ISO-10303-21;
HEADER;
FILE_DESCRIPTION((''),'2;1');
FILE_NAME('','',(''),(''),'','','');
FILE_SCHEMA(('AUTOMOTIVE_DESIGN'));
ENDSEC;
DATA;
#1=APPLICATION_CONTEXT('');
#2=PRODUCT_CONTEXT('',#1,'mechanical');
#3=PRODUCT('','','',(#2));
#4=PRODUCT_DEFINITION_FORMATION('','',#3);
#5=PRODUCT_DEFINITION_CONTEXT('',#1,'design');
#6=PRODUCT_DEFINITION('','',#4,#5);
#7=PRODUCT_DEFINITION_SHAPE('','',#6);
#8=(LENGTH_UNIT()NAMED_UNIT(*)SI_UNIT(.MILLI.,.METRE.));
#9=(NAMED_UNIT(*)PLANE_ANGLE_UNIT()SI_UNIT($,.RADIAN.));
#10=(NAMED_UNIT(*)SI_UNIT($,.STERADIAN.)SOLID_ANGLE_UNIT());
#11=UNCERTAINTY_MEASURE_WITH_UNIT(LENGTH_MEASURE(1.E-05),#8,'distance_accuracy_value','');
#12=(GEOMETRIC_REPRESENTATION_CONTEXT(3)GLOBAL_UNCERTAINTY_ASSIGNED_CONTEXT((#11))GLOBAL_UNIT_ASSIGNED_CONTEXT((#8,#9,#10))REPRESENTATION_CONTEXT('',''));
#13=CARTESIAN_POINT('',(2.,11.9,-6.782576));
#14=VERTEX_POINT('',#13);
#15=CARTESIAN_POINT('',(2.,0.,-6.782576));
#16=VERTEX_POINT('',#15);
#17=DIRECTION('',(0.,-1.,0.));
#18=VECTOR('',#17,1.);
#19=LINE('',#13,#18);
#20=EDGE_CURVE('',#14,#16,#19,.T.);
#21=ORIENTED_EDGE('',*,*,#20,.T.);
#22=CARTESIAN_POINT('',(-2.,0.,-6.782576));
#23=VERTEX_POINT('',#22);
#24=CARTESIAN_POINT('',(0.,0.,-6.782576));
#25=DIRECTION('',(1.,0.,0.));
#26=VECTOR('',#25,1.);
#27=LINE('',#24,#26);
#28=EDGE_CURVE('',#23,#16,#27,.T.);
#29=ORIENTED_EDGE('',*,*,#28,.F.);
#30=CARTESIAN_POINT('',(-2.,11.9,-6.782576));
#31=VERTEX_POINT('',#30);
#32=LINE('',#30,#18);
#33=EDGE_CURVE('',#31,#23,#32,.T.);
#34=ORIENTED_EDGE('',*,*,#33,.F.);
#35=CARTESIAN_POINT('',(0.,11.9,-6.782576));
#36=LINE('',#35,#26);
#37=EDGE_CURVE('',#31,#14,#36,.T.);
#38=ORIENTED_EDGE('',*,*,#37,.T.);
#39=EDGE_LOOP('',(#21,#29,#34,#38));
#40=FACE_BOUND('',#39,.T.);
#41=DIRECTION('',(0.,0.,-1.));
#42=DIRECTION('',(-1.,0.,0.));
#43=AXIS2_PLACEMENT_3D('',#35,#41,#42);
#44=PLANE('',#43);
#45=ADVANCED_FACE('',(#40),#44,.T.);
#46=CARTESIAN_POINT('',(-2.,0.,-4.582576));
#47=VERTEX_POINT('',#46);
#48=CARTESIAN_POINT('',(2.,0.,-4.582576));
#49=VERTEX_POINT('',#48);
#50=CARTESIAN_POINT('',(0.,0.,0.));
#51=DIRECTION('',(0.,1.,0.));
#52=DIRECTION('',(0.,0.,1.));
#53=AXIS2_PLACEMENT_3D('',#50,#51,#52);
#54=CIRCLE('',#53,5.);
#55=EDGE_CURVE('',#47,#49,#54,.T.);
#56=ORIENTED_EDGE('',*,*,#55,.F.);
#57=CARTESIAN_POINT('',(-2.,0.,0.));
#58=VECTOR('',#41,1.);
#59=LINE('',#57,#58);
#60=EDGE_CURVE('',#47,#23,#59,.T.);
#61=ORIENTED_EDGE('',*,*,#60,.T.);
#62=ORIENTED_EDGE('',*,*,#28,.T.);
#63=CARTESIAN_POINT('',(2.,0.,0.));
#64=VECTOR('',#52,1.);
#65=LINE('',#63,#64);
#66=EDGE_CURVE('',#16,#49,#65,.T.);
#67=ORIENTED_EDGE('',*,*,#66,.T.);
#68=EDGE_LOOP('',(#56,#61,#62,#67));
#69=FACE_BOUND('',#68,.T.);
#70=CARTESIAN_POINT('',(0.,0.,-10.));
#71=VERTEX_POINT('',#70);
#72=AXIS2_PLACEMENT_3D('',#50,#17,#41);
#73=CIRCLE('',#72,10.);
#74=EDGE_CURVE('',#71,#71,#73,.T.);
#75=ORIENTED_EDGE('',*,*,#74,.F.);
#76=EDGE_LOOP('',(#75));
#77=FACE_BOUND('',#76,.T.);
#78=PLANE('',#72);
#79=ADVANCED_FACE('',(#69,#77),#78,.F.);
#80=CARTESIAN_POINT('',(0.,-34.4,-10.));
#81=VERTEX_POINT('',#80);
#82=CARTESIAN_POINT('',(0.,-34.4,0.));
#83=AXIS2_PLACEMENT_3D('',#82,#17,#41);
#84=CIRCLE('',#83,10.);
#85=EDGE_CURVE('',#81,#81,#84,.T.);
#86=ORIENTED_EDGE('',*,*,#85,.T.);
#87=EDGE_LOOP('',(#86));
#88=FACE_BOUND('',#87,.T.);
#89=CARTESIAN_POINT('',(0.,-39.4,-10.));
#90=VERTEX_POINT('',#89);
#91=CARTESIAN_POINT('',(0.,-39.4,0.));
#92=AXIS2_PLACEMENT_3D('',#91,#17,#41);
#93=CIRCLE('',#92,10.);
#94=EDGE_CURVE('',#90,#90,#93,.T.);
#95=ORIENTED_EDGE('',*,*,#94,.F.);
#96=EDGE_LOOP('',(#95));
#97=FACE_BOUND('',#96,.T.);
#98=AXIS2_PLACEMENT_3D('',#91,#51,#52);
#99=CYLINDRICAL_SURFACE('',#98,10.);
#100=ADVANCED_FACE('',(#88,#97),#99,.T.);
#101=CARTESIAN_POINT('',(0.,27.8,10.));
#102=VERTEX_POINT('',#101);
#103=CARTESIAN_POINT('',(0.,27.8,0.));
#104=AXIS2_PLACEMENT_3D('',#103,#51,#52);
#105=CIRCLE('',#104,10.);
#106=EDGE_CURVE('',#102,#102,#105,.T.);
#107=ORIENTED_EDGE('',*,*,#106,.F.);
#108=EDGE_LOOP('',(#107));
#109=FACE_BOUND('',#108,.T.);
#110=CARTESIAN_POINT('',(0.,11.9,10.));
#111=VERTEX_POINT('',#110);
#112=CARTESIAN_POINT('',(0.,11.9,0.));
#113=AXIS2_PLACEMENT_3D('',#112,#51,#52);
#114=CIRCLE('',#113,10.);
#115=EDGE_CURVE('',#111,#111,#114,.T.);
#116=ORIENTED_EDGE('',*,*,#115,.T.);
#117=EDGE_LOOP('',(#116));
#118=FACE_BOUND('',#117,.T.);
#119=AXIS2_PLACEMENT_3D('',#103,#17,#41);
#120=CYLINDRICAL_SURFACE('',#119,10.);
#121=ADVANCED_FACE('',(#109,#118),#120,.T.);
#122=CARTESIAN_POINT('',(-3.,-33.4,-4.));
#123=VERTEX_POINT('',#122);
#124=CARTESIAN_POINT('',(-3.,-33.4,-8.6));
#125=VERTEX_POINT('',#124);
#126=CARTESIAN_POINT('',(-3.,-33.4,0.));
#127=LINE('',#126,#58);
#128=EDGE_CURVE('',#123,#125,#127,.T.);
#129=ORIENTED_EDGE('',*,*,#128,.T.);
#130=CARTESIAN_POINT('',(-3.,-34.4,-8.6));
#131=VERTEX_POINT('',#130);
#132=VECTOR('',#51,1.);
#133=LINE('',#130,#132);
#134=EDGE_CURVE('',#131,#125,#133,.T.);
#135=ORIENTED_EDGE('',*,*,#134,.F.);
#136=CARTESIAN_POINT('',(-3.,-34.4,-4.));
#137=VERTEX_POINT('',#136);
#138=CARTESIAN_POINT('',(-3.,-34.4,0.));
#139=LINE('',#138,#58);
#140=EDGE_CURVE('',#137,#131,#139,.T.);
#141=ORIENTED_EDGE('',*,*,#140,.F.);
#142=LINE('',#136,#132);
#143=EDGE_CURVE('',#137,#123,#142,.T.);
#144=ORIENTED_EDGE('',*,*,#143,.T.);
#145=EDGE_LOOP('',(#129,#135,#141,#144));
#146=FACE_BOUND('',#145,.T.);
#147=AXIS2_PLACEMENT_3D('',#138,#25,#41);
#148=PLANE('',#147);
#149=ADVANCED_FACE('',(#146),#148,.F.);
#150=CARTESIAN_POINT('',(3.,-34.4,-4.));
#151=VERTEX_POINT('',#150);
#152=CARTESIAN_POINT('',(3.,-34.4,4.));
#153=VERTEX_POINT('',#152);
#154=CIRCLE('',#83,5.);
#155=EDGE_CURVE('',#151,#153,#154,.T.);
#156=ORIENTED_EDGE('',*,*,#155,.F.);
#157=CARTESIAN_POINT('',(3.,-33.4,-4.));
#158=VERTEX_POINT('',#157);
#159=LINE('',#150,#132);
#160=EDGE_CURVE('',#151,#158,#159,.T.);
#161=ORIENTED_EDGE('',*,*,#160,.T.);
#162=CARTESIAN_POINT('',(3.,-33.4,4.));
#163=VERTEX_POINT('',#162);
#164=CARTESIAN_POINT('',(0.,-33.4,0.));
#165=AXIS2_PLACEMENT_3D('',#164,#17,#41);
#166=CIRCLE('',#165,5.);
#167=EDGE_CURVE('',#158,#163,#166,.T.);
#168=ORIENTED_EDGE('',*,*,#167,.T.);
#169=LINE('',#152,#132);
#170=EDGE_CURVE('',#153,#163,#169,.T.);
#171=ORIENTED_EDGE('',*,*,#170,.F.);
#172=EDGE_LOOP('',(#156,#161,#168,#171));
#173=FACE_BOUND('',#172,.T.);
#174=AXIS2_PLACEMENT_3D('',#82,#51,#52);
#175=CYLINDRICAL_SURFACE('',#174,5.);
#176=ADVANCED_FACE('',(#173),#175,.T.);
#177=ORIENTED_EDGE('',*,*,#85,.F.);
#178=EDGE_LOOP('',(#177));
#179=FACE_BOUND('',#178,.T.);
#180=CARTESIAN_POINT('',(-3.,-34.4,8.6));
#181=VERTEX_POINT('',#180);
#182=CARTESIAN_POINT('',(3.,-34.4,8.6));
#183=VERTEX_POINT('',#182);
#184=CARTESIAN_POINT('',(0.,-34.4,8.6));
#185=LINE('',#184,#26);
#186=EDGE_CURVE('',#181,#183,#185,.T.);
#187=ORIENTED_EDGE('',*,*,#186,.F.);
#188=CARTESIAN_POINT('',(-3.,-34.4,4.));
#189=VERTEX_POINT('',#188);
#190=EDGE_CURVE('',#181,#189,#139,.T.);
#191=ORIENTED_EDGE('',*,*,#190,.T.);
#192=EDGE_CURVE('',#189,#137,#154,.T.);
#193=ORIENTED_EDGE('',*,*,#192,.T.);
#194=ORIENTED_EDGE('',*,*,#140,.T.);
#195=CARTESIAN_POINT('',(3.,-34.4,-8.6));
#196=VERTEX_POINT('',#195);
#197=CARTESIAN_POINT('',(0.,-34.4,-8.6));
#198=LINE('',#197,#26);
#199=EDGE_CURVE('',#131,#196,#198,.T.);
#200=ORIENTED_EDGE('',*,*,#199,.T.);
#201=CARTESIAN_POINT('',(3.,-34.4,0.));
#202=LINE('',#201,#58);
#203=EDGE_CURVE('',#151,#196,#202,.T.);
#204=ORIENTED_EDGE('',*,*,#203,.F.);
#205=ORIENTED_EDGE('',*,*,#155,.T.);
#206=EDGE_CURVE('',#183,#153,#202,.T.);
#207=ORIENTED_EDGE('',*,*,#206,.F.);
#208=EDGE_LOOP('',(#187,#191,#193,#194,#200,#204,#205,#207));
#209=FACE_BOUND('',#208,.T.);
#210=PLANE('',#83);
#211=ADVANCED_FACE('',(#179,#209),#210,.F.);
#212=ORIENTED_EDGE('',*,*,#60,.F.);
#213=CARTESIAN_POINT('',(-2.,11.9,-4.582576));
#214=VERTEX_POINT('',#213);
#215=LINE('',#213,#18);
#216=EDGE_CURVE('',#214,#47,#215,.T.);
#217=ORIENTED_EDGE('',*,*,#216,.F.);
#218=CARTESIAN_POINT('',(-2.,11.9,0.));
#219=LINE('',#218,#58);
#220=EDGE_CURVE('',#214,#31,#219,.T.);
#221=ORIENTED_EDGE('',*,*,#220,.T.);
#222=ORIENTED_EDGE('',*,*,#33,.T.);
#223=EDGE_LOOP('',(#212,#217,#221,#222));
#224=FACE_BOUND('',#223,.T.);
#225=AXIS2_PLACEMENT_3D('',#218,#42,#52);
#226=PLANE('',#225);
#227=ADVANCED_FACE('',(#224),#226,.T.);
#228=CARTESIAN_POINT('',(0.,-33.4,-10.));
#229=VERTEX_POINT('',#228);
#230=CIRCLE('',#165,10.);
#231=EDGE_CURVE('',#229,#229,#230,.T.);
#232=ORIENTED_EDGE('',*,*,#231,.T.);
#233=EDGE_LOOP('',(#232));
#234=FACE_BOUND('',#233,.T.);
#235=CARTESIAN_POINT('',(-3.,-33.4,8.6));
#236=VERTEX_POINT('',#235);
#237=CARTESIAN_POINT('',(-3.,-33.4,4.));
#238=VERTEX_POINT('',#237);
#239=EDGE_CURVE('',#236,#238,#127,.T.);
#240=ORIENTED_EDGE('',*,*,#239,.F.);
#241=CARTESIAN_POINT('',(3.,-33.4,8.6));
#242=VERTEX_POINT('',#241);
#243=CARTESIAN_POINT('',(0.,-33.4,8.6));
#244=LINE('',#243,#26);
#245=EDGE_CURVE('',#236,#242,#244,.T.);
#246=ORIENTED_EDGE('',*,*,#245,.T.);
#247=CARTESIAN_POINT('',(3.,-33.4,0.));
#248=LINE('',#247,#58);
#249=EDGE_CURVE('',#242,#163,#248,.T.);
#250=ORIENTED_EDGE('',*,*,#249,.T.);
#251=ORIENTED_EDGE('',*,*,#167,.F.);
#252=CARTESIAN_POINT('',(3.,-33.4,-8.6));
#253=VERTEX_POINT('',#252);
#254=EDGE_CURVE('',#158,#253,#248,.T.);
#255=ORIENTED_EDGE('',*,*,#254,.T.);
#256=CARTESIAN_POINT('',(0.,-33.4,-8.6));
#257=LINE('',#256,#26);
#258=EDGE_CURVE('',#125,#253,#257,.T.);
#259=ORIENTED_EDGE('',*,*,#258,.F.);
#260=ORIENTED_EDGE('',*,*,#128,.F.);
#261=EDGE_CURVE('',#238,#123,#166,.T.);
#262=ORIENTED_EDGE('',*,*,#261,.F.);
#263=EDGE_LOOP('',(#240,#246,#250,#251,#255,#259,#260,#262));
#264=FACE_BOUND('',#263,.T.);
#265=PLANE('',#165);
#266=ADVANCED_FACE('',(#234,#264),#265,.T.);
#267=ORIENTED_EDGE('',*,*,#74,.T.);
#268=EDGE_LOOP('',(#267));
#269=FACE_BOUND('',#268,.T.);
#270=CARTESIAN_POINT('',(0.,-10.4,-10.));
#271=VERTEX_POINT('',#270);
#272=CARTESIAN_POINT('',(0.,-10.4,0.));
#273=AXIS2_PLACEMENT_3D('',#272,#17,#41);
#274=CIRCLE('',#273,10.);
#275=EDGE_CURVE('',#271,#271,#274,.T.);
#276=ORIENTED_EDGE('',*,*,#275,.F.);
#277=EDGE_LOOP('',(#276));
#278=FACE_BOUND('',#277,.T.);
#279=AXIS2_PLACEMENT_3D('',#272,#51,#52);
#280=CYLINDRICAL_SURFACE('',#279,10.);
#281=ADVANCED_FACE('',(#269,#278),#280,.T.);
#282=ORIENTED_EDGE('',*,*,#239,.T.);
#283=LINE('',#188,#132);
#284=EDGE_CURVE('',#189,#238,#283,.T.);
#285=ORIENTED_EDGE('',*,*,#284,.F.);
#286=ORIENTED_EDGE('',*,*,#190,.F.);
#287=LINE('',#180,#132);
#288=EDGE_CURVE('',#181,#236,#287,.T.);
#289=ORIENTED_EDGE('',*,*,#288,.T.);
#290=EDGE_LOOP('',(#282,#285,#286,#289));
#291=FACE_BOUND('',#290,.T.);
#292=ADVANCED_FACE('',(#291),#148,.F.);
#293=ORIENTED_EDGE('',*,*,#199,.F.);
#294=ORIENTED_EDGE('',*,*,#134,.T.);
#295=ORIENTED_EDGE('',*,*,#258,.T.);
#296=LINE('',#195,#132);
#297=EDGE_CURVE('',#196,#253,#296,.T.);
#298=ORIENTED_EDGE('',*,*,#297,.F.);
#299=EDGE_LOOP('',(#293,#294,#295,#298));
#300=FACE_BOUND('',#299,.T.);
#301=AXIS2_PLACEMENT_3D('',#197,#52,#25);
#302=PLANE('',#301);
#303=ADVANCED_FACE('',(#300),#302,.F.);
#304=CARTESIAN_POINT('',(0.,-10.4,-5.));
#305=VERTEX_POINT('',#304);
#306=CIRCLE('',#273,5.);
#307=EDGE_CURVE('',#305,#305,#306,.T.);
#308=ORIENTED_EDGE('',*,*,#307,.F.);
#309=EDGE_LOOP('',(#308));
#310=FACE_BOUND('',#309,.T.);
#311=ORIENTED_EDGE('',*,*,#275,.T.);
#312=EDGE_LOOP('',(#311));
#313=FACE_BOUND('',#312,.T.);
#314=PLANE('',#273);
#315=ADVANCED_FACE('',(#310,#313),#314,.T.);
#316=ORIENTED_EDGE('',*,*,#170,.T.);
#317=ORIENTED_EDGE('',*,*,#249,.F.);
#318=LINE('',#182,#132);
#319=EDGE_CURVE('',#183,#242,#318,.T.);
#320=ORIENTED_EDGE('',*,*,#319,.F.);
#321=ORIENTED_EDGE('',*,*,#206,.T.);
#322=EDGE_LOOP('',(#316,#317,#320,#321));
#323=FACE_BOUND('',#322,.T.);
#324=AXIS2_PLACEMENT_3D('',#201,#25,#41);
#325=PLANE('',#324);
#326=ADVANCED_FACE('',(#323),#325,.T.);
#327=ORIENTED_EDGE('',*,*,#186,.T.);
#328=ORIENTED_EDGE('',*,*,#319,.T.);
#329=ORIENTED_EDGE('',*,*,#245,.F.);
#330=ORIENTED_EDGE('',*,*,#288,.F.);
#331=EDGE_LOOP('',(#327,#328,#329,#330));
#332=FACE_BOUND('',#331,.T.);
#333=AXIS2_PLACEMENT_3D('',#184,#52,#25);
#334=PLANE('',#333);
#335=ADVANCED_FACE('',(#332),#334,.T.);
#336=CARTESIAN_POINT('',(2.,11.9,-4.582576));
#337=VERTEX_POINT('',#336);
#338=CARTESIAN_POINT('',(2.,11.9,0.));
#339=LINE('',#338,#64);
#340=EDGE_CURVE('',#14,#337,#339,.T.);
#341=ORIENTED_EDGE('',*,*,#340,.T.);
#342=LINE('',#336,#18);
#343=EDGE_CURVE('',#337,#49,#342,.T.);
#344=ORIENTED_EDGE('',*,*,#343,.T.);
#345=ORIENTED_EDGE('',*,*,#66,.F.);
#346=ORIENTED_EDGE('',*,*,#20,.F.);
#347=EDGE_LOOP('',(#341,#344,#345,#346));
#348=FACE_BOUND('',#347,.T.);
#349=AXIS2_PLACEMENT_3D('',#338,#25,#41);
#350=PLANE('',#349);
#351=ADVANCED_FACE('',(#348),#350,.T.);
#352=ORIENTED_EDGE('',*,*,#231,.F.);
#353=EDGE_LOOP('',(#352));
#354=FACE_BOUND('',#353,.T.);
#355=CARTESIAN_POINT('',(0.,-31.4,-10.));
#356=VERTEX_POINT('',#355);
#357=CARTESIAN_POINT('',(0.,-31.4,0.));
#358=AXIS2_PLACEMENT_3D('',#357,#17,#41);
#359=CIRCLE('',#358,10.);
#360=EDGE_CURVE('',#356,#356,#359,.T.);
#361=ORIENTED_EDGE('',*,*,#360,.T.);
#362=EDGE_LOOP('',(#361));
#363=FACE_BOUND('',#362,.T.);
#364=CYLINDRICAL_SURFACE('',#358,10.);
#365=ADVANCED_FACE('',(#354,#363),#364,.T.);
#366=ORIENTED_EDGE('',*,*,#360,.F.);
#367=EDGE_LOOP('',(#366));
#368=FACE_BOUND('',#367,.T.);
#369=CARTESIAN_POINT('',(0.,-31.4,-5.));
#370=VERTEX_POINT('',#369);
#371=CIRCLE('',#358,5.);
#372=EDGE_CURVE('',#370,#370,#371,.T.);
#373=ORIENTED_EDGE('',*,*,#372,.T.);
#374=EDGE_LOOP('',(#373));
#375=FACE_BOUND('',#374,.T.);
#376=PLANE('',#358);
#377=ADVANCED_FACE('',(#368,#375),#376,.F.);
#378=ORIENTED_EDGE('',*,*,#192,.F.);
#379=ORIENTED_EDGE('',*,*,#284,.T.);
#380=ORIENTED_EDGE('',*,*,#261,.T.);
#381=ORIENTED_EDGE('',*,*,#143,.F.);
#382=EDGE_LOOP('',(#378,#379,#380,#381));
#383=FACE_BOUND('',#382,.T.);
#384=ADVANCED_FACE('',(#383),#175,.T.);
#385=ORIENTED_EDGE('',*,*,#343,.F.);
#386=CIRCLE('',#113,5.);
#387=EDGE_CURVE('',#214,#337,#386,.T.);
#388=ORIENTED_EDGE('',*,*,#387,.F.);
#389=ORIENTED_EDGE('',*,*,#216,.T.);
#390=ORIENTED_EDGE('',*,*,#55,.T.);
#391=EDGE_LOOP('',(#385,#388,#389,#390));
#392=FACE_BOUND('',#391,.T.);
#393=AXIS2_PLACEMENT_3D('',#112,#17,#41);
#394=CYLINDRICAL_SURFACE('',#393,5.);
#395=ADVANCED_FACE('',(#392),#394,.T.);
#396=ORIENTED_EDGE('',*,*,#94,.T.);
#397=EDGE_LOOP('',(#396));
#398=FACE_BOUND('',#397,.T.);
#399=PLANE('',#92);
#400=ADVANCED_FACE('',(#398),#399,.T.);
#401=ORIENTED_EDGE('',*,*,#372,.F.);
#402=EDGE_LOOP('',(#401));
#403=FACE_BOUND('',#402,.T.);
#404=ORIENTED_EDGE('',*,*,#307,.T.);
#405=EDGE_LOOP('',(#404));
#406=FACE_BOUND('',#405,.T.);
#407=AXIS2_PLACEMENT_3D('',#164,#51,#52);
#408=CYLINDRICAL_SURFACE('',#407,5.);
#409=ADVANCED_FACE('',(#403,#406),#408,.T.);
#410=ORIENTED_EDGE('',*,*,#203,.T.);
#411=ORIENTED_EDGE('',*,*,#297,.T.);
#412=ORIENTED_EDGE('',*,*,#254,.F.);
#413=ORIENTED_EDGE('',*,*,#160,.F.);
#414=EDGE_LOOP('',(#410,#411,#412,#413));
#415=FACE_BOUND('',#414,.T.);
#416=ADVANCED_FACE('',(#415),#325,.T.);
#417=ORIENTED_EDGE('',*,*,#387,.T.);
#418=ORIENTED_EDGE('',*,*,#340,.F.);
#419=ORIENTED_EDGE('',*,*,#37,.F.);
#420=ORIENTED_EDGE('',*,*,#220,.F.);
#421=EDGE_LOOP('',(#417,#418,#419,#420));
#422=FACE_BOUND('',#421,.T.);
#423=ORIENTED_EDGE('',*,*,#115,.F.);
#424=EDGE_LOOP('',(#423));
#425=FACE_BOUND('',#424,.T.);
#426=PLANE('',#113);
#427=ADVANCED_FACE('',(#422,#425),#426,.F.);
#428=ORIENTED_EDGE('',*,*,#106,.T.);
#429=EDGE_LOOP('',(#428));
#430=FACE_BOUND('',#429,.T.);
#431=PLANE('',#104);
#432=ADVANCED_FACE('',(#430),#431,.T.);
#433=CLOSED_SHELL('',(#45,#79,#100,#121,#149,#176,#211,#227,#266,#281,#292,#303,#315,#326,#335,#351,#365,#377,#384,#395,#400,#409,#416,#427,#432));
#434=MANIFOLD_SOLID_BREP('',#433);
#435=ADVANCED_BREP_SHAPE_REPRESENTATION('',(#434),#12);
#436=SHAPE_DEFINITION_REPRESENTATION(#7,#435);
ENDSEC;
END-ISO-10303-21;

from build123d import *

# Parameters (mm, degrees)
SKETCH1_R           = 5
BOSS_EXTRUDE2_DEPTH = 11.9
SKETCH3_R           = 10
BOSS_EXTRUDE3_DEPTH = 15.9
BOSS_EXTRUDE4_START = 10.4
SKETCH5_R           = 10
BOSS_EXTRUDE4_DEPTH = 10.4
BOSS_EXTRUDE5_START = 23
SKETCH6_R           = 5
BOSS_EXTRUDE5_DEPTH = 23
SKETCH7_R           = 10
SKETCH7_R_2         = 5
BOSS_EXTRUDE6_DEPTH = 2
BOSS_EXTRUDE7_START = 1
SKETCH8_R           = 5
BOSS_EXTRUDE7_DEPTH = 1
BOSS_EXTRUDE8_START = 5
SKETCH9_R           = 10
BOSS_EXTRUDE8_DEPTH = 5


with BuildPart() as part:
    # Sketch1 → Boss-Extrude2 (new body)
    with BuildSketch(Plane(origin=(0, 0, 0), x_dir=(1, 0, 0), z_dir=(0, 1, 0))):
        Circle(SKETCH1_R)
        with BuildLine():
            Line((-2, 6.782575695), (-2, 4.582575695))
            ThreePointArc((-2, 4.582575695), (0, 5), (2, 4.582575695))
            Line((2, 4.582575695), (2, 6.782575695))
            Line((2, 6.782575695), (-2, 6.782575695))
        make_face()
    extrude(amount=BOSS_EXTRUDE2_DEPTH)

    # Sketch3 → Boss-Extrude3 (add)
    with BuildSketch(Plane(origin=(0, 11.9, 0), x_dir=(1, 0, 0), z_dir=(0, 1, 0))):
        with Locations(Location((0, 0, 0), (0, 0, 270))):
            Circle(SKETCH3_R)
    extrude(amount=BOSS_EXTRUDE3_DEPTH)

    # Sketch5 → Boss-Extrude4 (add)
    with BuildSketch(Plane.XZ.offset(BOSS_EXTRUDE4_START)):
        with Locations(Location((0, 0, 0), (0, 0, 90))):
            Circle(SKETCH5_R)
    extrude(amount=-BOSS_EXTRUDE4_DEPTH)

    # Sketch6 → Boss-Extrude5 (add)
    with BuildSketch(Plane.XZ.offset(10.4).offset(BOSS_EXTRUDE5_START)):
        with Locations(Location((0, 0, 0), (0, 0, 270))):
            Circle(SKETCH6_R)
    extrude(amount=-BOSS_EXTRUDE5_DEPTH)

    # Sketch7 → Boss-Extrude6 (add)
    with BuildSketch(Plane.XZ.offset(33.4)):
        with Locations(Location((0, 0, 0), (0, 0, 90))):
            Circle(SKETCH7_R)
        with Locations(Location((0, 0, 0), (0, 0, 270))):
            Circle(SKETCH7_R_2, mode=Mode.SUBTRACT)
    extrude(amount=-BOSS_EXTRUDE6_DEPTH)

    # Sketch8 → Boss-Extrude7 (add)
    with BuildSketch(Plane.XZ.offset(33.4).offset(BOSS_EXTRUDE7_START)):
        with Locations(Location((0, 0, 0), (0, 0, 270))):
            Circle(SKETCH8_R)
        with BuildLine():
            Line((-3, 8.6), (-3, 4))
            ThreePointArc((-3, 4), (0, 5), (3, 4))
            Line((3, 4), (3, 8.6))
            Line((3, 8.6), (-3, 8.6))
        make_face()
        with BuildLine():
            ThreePointArc((3, -4), (0, -5), (-3, -4))
            Line((-3, -4), (-3, -8.6))
            Line((-3, -8.6), (3, -8.6))
            Line((3, -8.6), (3, -4))
        make_face()
    extrude(amount=-BOSS_EXTRUDE7_DEPTH)

    # Sketch9 → Boss-Extrude8 (add)
    with BuildSketch(Plane(origin=(0, -34.4, 0), x_dir=(-1, 0, 0), z_dir=(0, -1, 0)).offset(BOSS_EXTRUDE8_START)):
        with Locations(Location((0, 0, 0), (0, 0, 270))):
            Circle(SKETCH9_R)
    extrude(amount=-BOSS_EXTRUDE8_DEPTH)


solid = part.part
